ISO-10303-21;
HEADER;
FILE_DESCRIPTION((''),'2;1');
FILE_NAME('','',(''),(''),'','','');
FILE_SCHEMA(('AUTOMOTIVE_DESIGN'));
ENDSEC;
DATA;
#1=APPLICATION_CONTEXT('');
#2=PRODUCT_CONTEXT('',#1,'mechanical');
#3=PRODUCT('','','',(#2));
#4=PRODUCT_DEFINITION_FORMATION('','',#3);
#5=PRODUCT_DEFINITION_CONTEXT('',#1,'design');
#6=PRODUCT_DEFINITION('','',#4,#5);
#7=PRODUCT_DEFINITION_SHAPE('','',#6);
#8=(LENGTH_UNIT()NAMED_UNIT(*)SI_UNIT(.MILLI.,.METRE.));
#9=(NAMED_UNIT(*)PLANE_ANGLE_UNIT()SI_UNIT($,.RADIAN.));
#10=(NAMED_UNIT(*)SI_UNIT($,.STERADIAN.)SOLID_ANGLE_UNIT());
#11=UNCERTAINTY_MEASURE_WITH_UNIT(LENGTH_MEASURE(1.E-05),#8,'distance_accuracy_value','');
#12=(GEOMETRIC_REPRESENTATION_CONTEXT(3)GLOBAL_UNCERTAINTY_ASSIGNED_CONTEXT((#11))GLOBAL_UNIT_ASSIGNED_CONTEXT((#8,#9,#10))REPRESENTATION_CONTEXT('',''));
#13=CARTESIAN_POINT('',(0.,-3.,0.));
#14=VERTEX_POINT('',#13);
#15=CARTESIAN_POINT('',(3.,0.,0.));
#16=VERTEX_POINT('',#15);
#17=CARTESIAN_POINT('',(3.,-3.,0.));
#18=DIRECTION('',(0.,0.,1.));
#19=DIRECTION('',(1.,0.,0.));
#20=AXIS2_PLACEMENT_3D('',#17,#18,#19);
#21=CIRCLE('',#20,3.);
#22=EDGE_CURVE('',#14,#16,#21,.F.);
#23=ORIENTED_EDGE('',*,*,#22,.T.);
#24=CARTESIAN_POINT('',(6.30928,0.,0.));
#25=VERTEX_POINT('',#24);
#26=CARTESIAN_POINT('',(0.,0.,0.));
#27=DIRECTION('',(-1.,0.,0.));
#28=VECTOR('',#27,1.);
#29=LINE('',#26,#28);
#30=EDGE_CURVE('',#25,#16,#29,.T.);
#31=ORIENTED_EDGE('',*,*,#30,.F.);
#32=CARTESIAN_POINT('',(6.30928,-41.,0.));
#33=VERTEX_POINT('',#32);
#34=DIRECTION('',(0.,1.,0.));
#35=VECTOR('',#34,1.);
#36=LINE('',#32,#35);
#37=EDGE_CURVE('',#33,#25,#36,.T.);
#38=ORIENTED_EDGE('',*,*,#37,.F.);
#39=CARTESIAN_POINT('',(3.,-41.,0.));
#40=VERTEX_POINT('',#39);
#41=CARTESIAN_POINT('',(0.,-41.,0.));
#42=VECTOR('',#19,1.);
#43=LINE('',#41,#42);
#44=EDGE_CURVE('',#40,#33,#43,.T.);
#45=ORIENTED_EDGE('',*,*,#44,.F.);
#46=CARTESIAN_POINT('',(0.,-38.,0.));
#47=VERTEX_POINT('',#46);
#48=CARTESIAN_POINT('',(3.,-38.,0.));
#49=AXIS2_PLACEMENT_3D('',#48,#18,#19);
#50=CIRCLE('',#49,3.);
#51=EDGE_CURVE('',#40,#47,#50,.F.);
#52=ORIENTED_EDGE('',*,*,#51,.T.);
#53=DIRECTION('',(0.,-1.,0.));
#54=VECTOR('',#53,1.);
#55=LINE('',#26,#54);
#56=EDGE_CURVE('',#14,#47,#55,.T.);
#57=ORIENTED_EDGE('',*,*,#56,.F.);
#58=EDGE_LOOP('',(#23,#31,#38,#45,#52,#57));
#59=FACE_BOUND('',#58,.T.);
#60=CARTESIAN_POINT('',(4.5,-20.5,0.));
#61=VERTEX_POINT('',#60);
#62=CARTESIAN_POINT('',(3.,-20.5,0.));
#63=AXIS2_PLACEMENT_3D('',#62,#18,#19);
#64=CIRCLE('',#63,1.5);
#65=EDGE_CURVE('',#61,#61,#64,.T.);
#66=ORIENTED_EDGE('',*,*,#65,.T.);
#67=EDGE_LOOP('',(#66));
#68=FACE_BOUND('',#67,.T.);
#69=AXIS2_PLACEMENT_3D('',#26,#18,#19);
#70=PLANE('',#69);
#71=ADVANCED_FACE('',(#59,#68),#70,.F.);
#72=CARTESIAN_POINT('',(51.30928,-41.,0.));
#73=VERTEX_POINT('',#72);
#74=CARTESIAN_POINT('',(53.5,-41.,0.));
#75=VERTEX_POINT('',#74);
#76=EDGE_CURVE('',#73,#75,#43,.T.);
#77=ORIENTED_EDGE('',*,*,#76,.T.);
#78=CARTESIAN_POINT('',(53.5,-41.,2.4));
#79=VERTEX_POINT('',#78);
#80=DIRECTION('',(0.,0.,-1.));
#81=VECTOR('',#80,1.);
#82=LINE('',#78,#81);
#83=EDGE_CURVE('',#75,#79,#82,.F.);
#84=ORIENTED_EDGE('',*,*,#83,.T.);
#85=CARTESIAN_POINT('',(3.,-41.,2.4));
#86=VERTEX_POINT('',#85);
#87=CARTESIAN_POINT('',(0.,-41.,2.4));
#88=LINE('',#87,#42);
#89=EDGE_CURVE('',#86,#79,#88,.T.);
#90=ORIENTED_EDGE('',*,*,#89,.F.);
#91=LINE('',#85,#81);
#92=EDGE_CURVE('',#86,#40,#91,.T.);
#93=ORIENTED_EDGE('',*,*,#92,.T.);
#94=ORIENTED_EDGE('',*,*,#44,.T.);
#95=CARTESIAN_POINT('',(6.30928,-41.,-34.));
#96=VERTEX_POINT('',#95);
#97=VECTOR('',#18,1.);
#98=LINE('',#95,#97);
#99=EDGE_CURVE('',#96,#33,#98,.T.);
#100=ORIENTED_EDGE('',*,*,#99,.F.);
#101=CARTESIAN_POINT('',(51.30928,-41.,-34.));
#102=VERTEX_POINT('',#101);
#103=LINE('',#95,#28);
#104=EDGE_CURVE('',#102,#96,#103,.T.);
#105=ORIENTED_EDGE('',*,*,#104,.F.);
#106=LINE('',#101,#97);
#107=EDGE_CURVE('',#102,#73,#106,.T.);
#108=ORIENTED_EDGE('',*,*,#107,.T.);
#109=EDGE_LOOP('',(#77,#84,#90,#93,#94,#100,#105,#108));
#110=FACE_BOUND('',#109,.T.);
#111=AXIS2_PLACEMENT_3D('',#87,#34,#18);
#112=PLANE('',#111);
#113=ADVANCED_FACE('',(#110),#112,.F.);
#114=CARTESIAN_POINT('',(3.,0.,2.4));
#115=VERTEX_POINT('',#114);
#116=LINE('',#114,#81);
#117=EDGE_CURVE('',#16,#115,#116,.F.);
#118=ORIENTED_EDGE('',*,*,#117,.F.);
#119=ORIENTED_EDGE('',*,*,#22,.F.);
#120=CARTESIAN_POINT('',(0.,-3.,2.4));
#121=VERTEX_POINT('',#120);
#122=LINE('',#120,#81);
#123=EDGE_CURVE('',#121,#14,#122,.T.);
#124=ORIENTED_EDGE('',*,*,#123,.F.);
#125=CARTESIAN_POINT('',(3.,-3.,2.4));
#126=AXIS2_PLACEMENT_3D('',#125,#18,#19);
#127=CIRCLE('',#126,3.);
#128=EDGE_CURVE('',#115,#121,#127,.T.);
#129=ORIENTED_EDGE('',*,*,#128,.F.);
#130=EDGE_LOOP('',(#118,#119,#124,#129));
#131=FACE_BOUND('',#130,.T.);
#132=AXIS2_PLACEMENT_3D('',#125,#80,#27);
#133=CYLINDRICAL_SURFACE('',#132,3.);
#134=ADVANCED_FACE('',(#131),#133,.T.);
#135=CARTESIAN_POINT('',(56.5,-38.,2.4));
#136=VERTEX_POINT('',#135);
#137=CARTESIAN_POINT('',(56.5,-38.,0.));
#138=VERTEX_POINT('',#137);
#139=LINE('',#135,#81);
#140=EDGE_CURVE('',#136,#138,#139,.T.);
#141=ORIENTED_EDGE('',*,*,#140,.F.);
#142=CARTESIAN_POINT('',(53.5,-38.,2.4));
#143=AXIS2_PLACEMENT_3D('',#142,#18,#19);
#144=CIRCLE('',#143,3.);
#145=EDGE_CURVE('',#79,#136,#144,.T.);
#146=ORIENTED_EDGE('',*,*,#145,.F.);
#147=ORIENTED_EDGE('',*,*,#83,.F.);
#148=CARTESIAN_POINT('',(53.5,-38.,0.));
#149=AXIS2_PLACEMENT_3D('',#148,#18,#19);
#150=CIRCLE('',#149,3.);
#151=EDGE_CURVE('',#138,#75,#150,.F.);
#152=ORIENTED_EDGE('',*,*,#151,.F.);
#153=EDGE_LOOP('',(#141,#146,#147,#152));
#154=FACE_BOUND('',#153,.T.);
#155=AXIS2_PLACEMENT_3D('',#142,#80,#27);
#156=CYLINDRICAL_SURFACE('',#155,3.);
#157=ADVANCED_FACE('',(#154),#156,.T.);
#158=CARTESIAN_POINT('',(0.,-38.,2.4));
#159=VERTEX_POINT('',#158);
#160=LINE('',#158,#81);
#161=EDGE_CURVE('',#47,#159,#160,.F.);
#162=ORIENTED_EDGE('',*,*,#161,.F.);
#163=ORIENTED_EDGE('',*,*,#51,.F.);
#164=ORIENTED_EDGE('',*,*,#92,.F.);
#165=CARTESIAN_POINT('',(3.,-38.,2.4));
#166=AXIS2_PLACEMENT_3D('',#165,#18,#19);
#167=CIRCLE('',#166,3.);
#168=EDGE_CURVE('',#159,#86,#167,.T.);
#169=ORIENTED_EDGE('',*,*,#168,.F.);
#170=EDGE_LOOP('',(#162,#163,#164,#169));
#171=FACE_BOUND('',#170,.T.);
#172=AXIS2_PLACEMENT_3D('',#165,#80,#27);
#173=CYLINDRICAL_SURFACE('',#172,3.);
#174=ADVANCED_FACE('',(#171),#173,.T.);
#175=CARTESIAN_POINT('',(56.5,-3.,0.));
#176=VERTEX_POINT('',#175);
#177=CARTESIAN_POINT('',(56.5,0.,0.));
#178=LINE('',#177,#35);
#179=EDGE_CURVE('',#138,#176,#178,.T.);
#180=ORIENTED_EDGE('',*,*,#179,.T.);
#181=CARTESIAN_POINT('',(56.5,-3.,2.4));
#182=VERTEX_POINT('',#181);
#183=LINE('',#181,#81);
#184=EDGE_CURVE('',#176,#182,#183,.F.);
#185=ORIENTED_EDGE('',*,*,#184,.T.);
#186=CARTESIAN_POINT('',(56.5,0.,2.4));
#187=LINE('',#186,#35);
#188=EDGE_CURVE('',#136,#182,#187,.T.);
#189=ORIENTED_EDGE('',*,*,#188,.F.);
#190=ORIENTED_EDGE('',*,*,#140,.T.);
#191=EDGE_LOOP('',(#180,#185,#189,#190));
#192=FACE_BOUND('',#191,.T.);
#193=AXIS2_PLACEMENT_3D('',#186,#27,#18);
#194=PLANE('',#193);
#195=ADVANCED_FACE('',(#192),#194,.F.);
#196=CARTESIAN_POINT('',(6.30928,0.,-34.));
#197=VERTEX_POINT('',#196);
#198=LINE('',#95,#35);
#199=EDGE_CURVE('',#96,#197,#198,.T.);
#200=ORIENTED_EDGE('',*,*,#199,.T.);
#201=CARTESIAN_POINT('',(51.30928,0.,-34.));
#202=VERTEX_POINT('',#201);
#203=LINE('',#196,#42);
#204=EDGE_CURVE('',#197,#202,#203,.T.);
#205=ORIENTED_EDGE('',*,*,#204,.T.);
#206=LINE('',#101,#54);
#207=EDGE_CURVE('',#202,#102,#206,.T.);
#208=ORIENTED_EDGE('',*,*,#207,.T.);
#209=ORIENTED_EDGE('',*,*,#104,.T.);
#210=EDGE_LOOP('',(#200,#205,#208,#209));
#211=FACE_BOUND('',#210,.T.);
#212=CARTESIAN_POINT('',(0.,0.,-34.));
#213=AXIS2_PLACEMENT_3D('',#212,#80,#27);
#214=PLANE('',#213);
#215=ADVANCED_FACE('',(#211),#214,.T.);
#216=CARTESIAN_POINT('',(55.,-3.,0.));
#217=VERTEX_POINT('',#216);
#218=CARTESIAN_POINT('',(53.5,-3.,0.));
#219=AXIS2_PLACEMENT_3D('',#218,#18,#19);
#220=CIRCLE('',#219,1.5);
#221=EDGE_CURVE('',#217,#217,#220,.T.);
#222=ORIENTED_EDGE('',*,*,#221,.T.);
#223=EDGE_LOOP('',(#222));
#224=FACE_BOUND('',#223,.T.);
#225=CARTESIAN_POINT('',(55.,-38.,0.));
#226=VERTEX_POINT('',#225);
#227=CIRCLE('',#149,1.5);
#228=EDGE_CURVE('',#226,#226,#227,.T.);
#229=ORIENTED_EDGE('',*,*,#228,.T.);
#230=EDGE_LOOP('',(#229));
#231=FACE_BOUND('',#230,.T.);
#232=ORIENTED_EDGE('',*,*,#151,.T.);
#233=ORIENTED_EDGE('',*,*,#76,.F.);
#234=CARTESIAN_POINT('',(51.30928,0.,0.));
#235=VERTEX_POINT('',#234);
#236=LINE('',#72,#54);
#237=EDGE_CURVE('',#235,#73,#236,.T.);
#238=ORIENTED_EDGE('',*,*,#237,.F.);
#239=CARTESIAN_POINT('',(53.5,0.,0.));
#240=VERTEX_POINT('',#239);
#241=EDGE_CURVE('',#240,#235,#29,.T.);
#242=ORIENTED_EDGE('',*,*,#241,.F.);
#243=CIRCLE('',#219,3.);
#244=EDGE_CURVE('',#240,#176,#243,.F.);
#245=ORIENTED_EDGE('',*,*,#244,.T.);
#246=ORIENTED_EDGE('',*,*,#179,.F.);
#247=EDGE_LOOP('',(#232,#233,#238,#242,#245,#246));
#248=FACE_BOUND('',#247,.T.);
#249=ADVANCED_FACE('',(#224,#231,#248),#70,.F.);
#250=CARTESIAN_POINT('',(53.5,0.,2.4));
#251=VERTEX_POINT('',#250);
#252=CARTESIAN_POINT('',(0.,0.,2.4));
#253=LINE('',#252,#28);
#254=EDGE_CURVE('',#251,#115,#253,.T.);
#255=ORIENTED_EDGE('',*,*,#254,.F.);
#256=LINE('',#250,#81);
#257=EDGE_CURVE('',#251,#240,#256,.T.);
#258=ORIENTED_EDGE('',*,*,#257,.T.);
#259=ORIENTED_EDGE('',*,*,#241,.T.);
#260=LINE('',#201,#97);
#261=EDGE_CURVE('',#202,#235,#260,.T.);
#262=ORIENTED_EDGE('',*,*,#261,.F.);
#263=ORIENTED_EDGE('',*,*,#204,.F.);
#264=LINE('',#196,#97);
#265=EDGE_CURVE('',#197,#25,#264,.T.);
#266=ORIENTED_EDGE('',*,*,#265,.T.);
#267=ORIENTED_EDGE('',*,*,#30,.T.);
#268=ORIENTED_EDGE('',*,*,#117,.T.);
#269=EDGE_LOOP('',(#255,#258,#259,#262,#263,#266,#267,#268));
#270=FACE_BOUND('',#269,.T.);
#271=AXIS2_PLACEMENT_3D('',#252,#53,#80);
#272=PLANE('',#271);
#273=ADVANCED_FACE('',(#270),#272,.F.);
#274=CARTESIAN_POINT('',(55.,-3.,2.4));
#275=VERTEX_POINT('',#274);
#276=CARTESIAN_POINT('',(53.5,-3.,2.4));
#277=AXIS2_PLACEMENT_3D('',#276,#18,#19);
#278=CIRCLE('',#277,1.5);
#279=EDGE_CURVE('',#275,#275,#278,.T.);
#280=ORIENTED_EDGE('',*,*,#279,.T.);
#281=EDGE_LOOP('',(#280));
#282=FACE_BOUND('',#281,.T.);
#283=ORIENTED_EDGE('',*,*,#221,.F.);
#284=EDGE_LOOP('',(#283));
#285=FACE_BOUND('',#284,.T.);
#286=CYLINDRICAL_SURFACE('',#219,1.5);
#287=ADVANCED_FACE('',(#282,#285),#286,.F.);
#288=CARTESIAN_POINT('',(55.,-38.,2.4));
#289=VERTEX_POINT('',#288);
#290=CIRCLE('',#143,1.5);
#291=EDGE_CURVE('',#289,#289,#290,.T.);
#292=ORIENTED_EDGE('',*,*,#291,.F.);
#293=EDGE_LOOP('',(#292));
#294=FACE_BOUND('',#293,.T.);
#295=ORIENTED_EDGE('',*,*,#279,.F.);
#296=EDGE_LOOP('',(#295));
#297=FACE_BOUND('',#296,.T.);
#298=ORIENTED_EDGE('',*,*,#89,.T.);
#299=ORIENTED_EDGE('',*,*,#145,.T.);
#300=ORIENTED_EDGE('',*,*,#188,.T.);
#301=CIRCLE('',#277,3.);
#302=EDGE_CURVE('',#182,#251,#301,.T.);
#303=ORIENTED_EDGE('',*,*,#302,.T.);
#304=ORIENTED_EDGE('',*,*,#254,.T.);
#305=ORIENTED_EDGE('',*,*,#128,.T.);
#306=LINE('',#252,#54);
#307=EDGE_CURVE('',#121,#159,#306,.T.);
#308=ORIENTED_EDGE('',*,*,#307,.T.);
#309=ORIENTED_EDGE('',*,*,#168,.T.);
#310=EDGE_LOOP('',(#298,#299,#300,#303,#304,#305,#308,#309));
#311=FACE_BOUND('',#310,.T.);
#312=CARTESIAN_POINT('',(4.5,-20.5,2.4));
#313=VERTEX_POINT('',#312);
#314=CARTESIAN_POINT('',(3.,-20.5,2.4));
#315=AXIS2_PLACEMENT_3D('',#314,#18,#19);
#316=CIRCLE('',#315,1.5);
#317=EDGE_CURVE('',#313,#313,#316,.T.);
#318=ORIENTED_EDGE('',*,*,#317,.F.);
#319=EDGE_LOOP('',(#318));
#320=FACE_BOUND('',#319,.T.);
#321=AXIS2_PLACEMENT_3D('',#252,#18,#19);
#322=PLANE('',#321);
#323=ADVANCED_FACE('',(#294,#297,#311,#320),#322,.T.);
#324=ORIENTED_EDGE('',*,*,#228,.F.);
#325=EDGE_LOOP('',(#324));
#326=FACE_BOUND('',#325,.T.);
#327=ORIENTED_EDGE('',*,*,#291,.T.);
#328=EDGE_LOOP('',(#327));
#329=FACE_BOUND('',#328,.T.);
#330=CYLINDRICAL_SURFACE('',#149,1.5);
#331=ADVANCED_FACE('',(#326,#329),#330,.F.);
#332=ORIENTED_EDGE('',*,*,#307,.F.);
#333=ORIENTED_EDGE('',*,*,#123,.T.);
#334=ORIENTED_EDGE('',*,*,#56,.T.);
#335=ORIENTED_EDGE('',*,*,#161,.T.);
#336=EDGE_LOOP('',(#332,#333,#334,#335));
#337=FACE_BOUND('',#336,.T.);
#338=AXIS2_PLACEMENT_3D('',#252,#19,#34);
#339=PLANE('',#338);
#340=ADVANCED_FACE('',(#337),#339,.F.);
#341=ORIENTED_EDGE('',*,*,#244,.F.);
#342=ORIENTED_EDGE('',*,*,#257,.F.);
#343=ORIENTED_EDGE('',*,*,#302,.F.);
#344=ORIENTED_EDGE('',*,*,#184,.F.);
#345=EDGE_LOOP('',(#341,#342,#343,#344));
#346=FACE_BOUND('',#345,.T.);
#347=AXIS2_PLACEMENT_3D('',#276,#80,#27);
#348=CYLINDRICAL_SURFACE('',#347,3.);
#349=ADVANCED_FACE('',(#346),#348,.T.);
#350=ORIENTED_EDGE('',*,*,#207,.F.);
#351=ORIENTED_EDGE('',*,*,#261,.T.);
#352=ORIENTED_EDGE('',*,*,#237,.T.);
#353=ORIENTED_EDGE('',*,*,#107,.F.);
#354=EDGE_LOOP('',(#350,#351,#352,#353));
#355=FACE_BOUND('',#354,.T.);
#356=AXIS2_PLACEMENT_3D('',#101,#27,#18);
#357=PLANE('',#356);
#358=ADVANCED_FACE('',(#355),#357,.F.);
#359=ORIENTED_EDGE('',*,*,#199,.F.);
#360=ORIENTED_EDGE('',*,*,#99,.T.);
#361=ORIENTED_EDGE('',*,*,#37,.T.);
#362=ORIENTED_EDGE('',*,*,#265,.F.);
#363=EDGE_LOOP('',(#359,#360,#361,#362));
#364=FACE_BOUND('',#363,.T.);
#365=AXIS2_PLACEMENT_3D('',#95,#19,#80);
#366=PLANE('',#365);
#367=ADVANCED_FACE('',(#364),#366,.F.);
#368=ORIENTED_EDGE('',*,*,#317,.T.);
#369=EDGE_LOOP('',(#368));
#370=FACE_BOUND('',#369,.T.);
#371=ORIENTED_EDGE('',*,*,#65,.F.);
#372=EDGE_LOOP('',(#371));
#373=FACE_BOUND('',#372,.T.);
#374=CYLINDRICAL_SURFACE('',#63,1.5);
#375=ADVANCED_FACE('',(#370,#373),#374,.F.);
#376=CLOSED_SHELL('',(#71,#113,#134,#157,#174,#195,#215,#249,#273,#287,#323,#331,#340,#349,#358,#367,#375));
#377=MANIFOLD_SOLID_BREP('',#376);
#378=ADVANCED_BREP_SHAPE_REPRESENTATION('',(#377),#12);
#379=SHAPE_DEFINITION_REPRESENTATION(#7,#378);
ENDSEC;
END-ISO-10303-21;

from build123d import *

# Parameters (mm, degrees)
SKETCH_1_W               = 56.5
SKETCH_1_H               = 41
EXTRUDE_1_DEPTH          = 2.4
CUT_EXTRUDE_1_DEPTH      = 70.849910522
CUT_EXTRUDE_1_DEPTH_BACK = 70.849910522
SKETCH_2_R               = 1.5
SKETCH_3_W               = 45
SKETCH_3_H               = 41
EXTRUDE_2_DEPTH          = 34
FILLET_1_R               = 3


with BuildPart() as part:
    # 草图1 → 凸台-拉伸1 (new body)
    with BuildSketch(Plane.XY):
        with Locations((28.25, -20.5)):
            Rectangle(SKETCH_1_W, SKETCH_1_H)
    extrude(amount=EXTRUDE_1_DEPTH)

    # 草图2 → 切除-拉伸1 (cut, two sides: drawn at the far end of the back side and taken through both)
    with BuildSketch(Plane.XY.offset(2.4).offset(-CUT_EXTRUDE_1_DEPTH_BACK)):
        with Locations((53.5, -3)):
            Circle(SKETCH_2_R)
        with Locations((53.5, -38)):
            Circle(SKETCH_2_R)
        with Locations((3, -20.5)):
            Circle(SKETCH_2_R)
    extrude(amount=CUT_EXTRUDE_1_DEPTH + CUT_EXTRUDE_1_DEPTH_BACK, mode=Mode.SUBTRACT)

    # 草图3 → 凸台-拉伸2 (add)
    with BuildSketch(Plane(origin=(0, 0, 0), x_dir=(-1, 0, 0), z_dir=(0, 0, -1))):
        with Locations((-28.809280121, -20.5)):
            Rectangle(SKETCH_3_W, SKETCH_3_H)
    extrude(amount=EXTRUDE_2_DEPTH)

    # 圆角1
    fillet_1_edges = [part.edges().sort_by_distance(p)[0] for p in [
        (0, 0, 1.2),
        (56.5, 0, 1.2),
        (56.5, -41, 1.2),
        (0, -41, 1.2),
    ]]
    fillet(fillet_1_edges, radius=FILLET_1_R)


solid = part.part
